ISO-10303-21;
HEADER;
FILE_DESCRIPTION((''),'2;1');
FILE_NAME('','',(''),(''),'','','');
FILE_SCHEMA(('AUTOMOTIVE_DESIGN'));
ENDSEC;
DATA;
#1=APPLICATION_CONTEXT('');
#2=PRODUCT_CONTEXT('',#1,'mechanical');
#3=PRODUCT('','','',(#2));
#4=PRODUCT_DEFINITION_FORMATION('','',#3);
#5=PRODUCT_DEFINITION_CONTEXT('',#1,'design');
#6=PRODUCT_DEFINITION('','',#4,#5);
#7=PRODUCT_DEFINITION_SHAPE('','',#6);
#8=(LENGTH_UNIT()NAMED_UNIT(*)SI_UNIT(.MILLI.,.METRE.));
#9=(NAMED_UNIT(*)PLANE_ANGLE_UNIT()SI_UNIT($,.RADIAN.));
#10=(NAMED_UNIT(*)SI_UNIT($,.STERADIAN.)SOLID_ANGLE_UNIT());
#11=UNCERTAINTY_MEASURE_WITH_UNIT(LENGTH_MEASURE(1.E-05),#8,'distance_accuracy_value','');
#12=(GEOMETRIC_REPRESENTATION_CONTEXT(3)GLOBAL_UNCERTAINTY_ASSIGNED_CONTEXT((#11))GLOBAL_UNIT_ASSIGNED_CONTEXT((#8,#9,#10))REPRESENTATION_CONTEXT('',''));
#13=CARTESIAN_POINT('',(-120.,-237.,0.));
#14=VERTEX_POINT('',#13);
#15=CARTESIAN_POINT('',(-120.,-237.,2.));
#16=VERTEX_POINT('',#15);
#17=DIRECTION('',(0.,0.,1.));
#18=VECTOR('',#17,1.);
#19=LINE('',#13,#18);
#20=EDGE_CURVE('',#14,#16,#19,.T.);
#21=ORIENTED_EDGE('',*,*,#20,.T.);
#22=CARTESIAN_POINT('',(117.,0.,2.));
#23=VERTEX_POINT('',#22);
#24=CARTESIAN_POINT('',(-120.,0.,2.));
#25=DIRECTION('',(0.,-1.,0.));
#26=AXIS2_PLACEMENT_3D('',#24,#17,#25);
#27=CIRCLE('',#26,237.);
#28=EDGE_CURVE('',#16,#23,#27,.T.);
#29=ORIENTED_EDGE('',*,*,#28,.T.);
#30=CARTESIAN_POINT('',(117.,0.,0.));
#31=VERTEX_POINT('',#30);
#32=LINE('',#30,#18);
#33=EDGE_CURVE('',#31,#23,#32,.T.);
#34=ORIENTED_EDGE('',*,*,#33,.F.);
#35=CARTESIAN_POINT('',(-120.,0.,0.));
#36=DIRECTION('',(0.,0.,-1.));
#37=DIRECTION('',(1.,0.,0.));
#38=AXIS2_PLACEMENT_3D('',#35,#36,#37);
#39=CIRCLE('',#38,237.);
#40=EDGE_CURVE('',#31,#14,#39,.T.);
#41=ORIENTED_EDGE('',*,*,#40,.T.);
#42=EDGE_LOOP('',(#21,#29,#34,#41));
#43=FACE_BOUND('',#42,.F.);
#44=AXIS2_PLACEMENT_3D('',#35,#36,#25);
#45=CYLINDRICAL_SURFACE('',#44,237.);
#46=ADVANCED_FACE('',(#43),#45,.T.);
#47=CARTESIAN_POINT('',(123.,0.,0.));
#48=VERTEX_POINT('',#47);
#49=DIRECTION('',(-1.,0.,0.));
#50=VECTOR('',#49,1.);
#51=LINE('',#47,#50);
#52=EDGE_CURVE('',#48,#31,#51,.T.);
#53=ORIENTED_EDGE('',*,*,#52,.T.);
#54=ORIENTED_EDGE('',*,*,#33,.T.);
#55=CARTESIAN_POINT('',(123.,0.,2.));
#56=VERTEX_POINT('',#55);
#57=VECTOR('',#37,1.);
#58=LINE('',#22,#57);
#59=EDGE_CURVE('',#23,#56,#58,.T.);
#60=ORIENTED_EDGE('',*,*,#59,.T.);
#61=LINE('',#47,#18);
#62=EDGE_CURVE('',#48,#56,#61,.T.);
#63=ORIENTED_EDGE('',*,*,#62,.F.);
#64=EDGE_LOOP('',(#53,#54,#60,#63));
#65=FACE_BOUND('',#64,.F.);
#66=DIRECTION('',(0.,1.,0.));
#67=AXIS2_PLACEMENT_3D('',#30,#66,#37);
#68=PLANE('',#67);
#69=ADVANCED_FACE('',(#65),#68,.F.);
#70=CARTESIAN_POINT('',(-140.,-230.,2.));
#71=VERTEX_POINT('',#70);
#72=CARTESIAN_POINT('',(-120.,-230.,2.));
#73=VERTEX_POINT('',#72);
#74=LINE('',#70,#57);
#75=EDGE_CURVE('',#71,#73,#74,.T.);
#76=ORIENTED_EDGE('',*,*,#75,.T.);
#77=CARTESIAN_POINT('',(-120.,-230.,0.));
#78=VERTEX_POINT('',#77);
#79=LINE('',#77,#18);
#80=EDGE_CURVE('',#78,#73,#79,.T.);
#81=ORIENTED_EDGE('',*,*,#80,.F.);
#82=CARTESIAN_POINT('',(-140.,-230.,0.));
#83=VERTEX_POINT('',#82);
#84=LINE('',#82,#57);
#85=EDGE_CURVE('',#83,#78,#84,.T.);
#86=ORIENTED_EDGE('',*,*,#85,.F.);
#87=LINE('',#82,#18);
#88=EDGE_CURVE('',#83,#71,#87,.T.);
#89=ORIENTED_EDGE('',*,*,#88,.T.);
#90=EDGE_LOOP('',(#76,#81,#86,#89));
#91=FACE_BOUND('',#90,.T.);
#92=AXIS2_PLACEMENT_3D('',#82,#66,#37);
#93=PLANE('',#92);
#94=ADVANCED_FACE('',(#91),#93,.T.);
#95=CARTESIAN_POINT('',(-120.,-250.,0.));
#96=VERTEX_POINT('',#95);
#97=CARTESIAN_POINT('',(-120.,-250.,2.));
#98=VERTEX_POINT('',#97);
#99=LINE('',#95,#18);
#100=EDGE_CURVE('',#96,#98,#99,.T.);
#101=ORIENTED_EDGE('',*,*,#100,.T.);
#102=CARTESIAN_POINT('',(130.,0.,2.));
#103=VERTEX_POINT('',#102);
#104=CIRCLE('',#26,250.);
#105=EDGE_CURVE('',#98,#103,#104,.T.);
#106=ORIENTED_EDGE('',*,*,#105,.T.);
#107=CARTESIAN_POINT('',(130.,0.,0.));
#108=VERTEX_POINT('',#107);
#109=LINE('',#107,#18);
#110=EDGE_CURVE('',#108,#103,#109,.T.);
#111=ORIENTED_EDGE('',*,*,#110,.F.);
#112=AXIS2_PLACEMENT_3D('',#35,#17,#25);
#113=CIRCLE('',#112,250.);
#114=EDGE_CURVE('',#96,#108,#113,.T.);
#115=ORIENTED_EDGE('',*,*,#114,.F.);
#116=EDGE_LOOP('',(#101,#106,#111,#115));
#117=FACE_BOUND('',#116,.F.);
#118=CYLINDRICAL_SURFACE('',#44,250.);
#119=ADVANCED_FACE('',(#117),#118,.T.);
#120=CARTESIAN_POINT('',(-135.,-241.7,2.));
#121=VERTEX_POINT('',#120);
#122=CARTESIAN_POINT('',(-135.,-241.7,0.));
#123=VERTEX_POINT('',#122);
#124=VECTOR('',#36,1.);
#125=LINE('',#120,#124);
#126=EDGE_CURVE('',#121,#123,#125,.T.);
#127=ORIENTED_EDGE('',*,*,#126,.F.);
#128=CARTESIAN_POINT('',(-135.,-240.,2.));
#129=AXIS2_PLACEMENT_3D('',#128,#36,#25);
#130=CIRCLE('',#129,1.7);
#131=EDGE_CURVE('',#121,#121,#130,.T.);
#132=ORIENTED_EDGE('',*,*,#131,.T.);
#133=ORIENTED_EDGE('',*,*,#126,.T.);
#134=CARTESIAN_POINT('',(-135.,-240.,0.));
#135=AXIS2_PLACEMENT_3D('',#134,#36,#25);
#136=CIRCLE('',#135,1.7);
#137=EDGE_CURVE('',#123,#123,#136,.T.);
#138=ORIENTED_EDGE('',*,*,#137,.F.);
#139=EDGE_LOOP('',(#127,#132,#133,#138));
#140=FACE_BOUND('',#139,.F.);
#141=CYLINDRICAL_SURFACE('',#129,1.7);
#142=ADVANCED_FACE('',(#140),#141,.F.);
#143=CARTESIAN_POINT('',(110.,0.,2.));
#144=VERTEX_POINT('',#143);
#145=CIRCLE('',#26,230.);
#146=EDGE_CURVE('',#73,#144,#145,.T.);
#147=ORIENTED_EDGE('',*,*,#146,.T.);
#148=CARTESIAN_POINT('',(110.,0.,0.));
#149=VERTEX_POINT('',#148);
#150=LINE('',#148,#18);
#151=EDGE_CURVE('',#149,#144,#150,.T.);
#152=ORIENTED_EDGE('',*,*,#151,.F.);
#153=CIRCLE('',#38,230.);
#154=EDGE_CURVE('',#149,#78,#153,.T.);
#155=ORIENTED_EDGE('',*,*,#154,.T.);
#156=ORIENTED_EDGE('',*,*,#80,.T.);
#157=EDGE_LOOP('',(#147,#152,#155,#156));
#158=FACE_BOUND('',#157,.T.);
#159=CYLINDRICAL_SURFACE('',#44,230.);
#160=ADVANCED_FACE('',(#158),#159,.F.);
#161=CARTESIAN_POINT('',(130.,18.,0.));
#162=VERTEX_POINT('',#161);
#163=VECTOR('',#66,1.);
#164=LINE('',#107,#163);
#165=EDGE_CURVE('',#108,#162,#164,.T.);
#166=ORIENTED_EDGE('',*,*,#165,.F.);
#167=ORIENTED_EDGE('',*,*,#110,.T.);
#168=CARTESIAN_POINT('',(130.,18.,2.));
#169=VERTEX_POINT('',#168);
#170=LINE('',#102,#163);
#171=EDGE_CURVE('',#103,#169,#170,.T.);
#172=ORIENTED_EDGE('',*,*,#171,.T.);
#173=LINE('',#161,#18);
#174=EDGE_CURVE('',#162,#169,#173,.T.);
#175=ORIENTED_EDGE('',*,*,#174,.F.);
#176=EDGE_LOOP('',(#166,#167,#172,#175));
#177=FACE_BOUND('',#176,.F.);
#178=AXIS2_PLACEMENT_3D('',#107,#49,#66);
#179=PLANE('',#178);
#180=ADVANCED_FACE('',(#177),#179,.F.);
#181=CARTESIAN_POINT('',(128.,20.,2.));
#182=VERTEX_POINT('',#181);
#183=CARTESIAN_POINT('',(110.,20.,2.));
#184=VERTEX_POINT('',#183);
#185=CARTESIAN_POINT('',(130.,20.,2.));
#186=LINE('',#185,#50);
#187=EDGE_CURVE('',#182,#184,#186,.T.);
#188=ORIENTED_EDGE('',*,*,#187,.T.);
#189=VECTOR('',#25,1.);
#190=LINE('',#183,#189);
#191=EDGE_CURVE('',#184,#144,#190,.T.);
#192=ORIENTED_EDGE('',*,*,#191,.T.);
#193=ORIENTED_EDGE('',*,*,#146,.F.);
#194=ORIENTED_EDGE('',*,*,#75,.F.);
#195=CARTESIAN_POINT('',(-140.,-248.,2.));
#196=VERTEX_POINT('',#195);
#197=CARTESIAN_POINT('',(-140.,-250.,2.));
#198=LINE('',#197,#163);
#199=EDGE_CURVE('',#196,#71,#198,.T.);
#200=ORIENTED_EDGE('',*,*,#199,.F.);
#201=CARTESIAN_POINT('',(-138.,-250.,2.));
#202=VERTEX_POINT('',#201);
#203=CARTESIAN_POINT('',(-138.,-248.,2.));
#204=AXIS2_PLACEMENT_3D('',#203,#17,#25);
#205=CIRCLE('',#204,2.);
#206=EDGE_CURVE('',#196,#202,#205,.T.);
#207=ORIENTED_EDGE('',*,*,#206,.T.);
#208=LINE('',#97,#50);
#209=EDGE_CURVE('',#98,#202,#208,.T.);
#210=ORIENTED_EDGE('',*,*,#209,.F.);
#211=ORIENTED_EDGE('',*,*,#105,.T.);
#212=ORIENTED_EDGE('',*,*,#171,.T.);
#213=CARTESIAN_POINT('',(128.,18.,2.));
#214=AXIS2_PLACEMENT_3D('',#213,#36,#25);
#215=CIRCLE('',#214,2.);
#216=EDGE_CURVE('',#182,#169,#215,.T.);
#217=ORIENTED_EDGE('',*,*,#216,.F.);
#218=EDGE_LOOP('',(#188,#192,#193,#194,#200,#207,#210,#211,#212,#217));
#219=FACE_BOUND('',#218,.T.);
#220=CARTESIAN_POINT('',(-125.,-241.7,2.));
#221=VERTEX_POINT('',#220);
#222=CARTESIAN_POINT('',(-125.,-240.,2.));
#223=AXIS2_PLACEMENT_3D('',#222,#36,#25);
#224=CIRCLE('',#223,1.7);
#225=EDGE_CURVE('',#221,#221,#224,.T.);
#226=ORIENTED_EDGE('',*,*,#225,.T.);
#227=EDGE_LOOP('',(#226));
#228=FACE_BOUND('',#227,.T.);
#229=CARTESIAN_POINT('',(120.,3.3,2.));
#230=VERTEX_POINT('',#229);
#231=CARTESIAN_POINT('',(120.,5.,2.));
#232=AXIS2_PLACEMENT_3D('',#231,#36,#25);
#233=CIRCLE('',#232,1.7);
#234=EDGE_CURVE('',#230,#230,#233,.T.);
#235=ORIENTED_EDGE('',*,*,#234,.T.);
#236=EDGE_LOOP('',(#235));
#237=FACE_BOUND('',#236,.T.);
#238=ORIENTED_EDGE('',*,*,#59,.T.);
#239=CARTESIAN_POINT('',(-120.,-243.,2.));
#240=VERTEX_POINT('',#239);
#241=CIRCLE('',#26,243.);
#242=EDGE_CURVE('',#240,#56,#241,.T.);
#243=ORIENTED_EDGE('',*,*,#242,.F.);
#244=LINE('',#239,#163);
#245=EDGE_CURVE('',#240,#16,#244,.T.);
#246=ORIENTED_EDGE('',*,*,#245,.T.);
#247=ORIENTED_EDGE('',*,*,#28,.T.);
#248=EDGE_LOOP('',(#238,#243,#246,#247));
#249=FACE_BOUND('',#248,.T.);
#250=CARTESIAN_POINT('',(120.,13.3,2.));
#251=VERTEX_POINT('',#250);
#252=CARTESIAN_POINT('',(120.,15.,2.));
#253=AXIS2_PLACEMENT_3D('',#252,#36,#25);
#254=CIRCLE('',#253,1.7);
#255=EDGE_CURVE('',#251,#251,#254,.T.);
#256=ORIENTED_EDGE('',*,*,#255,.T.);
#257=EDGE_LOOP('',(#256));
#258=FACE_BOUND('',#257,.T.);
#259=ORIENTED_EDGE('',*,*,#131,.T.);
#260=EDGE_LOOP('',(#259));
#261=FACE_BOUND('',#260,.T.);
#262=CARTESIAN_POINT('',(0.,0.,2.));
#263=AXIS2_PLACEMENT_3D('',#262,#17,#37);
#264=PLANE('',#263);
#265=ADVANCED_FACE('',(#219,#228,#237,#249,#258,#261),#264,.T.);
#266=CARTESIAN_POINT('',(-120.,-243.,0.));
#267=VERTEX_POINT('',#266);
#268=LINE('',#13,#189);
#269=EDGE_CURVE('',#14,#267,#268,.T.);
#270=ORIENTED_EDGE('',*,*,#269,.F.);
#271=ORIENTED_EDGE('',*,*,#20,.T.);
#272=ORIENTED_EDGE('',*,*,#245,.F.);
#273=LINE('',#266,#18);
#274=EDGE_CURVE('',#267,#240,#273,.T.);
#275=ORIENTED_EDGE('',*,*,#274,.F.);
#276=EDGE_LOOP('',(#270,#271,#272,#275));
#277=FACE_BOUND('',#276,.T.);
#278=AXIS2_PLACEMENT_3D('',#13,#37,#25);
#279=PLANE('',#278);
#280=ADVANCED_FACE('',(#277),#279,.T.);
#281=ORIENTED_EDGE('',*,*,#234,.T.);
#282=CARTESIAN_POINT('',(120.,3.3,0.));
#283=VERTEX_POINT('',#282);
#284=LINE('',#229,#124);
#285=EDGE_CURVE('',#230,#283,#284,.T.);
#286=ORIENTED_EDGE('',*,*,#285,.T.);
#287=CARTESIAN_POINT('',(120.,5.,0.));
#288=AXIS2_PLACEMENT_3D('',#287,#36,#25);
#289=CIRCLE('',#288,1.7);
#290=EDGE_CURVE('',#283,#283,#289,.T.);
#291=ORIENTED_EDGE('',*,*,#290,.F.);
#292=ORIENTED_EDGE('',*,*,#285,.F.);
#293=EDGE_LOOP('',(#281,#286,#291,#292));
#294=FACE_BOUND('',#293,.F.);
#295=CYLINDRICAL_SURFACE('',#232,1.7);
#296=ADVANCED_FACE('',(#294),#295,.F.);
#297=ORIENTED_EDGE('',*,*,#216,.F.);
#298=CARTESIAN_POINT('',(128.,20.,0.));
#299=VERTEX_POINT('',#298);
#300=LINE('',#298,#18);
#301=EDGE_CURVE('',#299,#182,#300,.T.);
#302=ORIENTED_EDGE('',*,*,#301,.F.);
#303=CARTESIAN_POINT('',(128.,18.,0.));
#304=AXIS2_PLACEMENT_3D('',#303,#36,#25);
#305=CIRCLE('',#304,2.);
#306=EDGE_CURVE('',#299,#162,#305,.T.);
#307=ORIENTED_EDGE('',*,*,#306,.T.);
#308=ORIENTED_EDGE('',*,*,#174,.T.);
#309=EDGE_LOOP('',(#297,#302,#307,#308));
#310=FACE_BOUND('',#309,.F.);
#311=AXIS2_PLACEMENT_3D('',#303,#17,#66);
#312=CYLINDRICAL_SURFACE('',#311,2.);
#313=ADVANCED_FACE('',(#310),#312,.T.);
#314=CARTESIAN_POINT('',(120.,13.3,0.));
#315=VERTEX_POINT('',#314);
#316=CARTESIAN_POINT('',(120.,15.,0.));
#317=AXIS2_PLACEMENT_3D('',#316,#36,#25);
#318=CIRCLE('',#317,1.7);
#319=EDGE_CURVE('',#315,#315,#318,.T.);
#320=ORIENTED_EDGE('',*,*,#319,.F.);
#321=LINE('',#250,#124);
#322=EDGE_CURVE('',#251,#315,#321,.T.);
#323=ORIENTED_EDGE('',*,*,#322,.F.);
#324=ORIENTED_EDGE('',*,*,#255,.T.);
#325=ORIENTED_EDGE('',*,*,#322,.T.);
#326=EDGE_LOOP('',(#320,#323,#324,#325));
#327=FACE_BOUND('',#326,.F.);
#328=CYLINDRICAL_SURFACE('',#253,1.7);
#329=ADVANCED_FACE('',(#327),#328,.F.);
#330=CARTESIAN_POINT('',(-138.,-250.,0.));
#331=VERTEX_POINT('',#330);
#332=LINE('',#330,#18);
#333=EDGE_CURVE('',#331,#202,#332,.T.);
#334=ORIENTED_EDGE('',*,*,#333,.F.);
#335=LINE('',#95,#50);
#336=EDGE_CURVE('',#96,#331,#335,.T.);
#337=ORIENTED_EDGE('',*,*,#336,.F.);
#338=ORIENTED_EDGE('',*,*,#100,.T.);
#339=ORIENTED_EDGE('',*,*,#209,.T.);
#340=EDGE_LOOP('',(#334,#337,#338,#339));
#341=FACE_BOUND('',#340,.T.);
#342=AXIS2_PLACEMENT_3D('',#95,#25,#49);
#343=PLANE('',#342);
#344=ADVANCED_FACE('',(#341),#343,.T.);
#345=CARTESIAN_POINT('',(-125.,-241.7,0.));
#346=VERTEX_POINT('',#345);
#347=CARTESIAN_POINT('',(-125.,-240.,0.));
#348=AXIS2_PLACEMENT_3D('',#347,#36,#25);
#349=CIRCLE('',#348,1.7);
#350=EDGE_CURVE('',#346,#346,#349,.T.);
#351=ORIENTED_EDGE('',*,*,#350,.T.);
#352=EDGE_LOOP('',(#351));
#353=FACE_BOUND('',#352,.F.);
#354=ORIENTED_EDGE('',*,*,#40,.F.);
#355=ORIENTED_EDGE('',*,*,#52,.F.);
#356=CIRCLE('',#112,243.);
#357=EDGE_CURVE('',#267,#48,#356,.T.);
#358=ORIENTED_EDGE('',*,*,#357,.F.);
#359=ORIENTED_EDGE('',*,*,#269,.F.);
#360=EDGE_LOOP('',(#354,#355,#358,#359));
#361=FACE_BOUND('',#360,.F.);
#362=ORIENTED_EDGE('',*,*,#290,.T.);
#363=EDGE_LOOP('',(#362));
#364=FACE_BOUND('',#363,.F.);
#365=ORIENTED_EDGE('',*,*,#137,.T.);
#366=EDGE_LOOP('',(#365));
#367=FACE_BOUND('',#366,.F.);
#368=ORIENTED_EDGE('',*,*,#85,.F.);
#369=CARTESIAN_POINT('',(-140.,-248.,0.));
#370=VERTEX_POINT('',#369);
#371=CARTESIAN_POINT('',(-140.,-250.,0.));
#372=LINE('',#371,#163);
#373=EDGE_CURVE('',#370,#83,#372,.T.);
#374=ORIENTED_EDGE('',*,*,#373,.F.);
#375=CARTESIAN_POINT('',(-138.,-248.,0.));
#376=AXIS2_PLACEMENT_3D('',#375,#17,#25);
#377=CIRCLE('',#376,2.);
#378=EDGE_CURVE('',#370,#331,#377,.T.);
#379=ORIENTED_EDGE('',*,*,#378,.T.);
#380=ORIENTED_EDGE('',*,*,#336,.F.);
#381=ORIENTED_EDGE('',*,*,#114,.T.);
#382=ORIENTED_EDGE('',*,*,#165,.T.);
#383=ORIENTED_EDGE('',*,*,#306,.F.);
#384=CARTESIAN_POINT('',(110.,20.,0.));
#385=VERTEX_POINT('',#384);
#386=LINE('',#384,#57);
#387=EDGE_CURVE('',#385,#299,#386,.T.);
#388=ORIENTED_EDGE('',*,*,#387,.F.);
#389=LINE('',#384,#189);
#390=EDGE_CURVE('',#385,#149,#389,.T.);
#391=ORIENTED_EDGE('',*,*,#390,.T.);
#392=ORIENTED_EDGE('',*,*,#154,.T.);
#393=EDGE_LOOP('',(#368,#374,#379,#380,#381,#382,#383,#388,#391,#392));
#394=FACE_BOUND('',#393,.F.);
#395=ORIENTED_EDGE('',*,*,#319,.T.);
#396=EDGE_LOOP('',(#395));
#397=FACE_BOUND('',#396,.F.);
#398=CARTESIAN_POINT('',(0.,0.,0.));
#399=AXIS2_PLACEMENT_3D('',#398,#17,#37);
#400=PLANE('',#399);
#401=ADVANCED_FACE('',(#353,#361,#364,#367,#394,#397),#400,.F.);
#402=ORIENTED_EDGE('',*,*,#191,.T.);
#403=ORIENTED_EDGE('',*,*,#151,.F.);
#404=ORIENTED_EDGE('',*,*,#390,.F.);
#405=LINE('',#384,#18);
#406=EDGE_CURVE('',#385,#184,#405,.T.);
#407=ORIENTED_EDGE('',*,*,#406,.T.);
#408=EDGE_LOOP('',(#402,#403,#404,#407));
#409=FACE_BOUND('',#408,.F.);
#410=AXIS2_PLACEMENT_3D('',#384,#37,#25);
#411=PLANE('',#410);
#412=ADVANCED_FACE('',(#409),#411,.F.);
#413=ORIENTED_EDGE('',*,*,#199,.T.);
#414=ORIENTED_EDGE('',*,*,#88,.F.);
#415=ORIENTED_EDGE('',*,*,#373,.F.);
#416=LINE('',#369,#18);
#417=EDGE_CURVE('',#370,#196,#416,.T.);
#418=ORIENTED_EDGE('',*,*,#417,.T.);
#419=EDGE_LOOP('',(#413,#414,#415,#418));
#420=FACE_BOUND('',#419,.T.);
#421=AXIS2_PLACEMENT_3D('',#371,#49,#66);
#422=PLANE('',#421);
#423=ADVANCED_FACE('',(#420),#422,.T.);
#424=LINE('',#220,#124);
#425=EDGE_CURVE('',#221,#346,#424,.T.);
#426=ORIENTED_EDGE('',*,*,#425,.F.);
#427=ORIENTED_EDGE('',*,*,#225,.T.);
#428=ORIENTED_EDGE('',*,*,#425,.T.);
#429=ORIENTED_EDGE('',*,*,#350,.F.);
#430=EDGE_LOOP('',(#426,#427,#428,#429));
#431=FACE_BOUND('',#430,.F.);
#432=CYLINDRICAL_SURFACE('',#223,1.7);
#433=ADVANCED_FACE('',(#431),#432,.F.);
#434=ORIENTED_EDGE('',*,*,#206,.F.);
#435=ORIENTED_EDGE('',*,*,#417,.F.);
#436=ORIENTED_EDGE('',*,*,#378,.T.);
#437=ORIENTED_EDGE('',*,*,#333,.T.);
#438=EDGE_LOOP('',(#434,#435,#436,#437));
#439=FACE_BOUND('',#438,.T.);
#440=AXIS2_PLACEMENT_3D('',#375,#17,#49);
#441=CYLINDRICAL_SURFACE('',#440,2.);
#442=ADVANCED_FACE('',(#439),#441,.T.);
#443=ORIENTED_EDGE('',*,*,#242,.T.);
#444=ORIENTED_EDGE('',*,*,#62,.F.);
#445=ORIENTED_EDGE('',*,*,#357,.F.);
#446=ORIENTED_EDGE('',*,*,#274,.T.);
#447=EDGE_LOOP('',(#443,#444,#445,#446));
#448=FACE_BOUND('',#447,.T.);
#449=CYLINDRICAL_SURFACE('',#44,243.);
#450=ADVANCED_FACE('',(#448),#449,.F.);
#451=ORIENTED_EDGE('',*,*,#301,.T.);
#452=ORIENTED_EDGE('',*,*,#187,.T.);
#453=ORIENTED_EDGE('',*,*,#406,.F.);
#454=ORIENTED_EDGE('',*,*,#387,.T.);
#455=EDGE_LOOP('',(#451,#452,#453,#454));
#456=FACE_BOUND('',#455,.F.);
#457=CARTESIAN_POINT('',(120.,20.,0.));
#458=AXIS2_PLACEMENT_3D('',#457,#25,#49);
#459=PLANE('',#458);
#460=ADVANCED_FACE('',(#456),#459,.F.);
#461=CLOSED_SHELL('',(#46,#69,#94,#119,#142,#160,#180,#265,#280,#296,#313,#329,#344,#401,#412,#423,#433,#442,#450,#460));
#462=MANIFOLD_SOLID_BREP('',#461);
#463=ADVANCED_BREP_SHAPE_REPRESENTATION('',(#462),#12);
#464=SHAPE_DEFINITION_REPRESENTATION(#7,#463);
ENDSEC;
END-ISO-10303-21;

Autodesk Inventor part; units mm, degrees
ref_plane "YZ Plane" through (0, 0, 0) normal (1, 0, 0) x (0, 1, 0)
ref_plane "XZ Plane" through (0, 0, 0) normal (0, 1, 0) x (-1, 0, 0)
ref_plane "XY Plane" through (0, 0, 0) normal (0, 0, 1) x (1, 0, 0)
sketch "スケッチ1" plane through (0, 0, 0) normal (0, 0, 1) x (1, 0, 0)
  line L0 (120, -35) -> (-120, -35)
  line L1 (-120, -35) -> (-120, 35)
  line L2 (-120, 35) -> (120, 35)
  line L3 (120, 35) -> (120, -35)
  line L4 (120, -35) -> (-120, 35) construction
  line L5 (-120, -35) -> (120, 35) construction
  line L6 (-110, -35) -> (-130, -35)
  line L7 (-130, -35) -> (-130, 75)
  line L8 (-130, 75) -> (-110, 75)
  line L9 (-110, 75) -> (-110, -35)
  line L10 (110, 35) -> (130, 35)
  circle A0 centre (-120, 0) radius 6
  line L11 (110, 35) -> (130, 35)
  arc A1 (-120, -240) -> (120, 0) centre (-120, 0) ccw
  arc A2 (-120, -250) -> (130, 0) centre (-120, 0) ccw
  arc A3 (-120, -230) -> (110, 0) centre (-120, 0) ccw
  line L12 (110, 0) -> (130, 0)
  line L13 (130, 0) -> (130, 20)
  line L14 (130, 20) -> (110, 20)
  line L15 (110, 20) -> (110, 0)
  line L16 (-120, -250) -> (-140, -250)
  line L17 (-140, -250) -> (-140, -230)
  line L18 (-140, -230) -> (-120, -230)
  line L19 (-120, -230) -> (-120, -250)
  arc A4 (-120, -243) -> (123, 0) centre (-120, 0) ccw
  arc A5 (-120, -237) -> (117, 0) centre (-120, 0) ccw
  line L20 (130, 20) -> (-140, 20)
  line L21 (-140, 20) -> (-140, -250)
  line L22 (-140, -250) -> (130, -250)
  line L23 (130, -250) -> (130, 20)
  line L24 (-120, -250) -> (-120, 0)
  line L25 (-120, 0) -> (130, 0)
  point P0 (0, 0)
  point P1 (120, 25)
  point P2 (117, 0)
  point P3 (123, 0)
  point P4 (-120, -243)
  point P5 (-120, -237)
  dimension "d0" = 240
  dimension "d1" = 70
  dimension "d2" = 20
  dimension "d3" = 110
  dimension "d4" = 10
  dimension "d8" = 12
  dimension "d14" = 10
  dimension "d18" = 10
  dimension "d19" = 10
  dimension "d20" = 20
  dimension "d21" = 20
  dimension "d22" = 20
  dimension "d23" = 20
  dimension "d26" = 3
  dimension "d27" = 3
  dimension "d37" = 20
extrude "押し出し1" add sketch "スケッチ1" along normal blind 2 contours A3 L12 A5 L0 | L0 A5 L19 A3 | L19 L16 L17 L18 | L15 L14 L3 L12 | L3 L14 L13 L12 | L19 A4 L12 A2
sketch "スケッチ2" plane through (0, 0, 2) normal (0, 0, 1) x (1, 0, 0)
  line L0 (130, 20) -> (110, 20) projected
  line L1 (120, 20) -> (120, 0)
  line L2 (117, 0) -> (123, 0) projected
  line L3 (-140, -230) -> (-140, -250) projected
  line L4 (-140, -240) -> (-120, -240)
  point P0 (0, 0)
  point P1 (120, 15)
  point P2 (120, 5)
  point P3 (-135, -240)
  point P4 (-125, -240)
  dimension "d28" = 10
  dimension "d29" = 5
  dimension "d52" = 10
  dimension "d53" = 5
hole "穴1" at (120, 15, 2) at (120, 5, 2) at (-125, -240, 2) at (-135, -240, 2) direction (0, 0, -1) diameter 3.4 end through all
fillet "フィレット1" radius 2 2 edges at (130, 20, 1) (-140, -250, 1)
sketch "スケッチ5" plane through (0, 0, 2) normal (0, 0, 1) x (1, 0, 0)
  arc A0 (-140, -248) -> (-138, -250) centre (-138, -248) ccw projected
  line L0 (-138, -250) -> (-120, -250) projected
  arc A1 (-120, -250) -> (130, 0) centre (-120, 0) ccw projected
  line L1 (130, 0) -> (130, 18) projected
  arc A2 (130, 18) -> (128, 20) centre (128, 18) ccw projected
  line L2 (128, 20) -> (110, 20) projected
  line L3 (110, 20) -> (110, 0) projected
  arc A3 (-120, -230) -> (110, 0) centre (-120, 0) ccw projected
  line L4 (-120, -230) -> (-140, -230) projected
  line L5 (-140, -230) -> (-140, -248) projected
  circle A4 centre (-135, -240) radius 1.7 projected
  circle A5 centre (-125, -240) radius 1.7 projected
  circle A6 centre (120, 5) radius 1.7 projected
  circle A7 centre (120, 15) radius 1.7 projected
  line L6 (117, 0) -> (123, 0) projected
  arc A8 (-120, -243) -> (123, 0) centre (-120, 0) ccw projected
  line L7 (-120, -243) -> (-120, -237) projected
  arc A9 (-120, -237) -> (117, 0) centre (-120, 0) ccw projected
  point P0 (0, 0)
equation "\"d4\" = 0.5 * d2"
equation "\"d14\" = 0.5 * d10"
equation "\"d27\" = d26"
equation "\"d52\" = d28"
equation "\"d53\" = d29"
equation "\"d10\" = 20"
properties part number "xx_memo"
